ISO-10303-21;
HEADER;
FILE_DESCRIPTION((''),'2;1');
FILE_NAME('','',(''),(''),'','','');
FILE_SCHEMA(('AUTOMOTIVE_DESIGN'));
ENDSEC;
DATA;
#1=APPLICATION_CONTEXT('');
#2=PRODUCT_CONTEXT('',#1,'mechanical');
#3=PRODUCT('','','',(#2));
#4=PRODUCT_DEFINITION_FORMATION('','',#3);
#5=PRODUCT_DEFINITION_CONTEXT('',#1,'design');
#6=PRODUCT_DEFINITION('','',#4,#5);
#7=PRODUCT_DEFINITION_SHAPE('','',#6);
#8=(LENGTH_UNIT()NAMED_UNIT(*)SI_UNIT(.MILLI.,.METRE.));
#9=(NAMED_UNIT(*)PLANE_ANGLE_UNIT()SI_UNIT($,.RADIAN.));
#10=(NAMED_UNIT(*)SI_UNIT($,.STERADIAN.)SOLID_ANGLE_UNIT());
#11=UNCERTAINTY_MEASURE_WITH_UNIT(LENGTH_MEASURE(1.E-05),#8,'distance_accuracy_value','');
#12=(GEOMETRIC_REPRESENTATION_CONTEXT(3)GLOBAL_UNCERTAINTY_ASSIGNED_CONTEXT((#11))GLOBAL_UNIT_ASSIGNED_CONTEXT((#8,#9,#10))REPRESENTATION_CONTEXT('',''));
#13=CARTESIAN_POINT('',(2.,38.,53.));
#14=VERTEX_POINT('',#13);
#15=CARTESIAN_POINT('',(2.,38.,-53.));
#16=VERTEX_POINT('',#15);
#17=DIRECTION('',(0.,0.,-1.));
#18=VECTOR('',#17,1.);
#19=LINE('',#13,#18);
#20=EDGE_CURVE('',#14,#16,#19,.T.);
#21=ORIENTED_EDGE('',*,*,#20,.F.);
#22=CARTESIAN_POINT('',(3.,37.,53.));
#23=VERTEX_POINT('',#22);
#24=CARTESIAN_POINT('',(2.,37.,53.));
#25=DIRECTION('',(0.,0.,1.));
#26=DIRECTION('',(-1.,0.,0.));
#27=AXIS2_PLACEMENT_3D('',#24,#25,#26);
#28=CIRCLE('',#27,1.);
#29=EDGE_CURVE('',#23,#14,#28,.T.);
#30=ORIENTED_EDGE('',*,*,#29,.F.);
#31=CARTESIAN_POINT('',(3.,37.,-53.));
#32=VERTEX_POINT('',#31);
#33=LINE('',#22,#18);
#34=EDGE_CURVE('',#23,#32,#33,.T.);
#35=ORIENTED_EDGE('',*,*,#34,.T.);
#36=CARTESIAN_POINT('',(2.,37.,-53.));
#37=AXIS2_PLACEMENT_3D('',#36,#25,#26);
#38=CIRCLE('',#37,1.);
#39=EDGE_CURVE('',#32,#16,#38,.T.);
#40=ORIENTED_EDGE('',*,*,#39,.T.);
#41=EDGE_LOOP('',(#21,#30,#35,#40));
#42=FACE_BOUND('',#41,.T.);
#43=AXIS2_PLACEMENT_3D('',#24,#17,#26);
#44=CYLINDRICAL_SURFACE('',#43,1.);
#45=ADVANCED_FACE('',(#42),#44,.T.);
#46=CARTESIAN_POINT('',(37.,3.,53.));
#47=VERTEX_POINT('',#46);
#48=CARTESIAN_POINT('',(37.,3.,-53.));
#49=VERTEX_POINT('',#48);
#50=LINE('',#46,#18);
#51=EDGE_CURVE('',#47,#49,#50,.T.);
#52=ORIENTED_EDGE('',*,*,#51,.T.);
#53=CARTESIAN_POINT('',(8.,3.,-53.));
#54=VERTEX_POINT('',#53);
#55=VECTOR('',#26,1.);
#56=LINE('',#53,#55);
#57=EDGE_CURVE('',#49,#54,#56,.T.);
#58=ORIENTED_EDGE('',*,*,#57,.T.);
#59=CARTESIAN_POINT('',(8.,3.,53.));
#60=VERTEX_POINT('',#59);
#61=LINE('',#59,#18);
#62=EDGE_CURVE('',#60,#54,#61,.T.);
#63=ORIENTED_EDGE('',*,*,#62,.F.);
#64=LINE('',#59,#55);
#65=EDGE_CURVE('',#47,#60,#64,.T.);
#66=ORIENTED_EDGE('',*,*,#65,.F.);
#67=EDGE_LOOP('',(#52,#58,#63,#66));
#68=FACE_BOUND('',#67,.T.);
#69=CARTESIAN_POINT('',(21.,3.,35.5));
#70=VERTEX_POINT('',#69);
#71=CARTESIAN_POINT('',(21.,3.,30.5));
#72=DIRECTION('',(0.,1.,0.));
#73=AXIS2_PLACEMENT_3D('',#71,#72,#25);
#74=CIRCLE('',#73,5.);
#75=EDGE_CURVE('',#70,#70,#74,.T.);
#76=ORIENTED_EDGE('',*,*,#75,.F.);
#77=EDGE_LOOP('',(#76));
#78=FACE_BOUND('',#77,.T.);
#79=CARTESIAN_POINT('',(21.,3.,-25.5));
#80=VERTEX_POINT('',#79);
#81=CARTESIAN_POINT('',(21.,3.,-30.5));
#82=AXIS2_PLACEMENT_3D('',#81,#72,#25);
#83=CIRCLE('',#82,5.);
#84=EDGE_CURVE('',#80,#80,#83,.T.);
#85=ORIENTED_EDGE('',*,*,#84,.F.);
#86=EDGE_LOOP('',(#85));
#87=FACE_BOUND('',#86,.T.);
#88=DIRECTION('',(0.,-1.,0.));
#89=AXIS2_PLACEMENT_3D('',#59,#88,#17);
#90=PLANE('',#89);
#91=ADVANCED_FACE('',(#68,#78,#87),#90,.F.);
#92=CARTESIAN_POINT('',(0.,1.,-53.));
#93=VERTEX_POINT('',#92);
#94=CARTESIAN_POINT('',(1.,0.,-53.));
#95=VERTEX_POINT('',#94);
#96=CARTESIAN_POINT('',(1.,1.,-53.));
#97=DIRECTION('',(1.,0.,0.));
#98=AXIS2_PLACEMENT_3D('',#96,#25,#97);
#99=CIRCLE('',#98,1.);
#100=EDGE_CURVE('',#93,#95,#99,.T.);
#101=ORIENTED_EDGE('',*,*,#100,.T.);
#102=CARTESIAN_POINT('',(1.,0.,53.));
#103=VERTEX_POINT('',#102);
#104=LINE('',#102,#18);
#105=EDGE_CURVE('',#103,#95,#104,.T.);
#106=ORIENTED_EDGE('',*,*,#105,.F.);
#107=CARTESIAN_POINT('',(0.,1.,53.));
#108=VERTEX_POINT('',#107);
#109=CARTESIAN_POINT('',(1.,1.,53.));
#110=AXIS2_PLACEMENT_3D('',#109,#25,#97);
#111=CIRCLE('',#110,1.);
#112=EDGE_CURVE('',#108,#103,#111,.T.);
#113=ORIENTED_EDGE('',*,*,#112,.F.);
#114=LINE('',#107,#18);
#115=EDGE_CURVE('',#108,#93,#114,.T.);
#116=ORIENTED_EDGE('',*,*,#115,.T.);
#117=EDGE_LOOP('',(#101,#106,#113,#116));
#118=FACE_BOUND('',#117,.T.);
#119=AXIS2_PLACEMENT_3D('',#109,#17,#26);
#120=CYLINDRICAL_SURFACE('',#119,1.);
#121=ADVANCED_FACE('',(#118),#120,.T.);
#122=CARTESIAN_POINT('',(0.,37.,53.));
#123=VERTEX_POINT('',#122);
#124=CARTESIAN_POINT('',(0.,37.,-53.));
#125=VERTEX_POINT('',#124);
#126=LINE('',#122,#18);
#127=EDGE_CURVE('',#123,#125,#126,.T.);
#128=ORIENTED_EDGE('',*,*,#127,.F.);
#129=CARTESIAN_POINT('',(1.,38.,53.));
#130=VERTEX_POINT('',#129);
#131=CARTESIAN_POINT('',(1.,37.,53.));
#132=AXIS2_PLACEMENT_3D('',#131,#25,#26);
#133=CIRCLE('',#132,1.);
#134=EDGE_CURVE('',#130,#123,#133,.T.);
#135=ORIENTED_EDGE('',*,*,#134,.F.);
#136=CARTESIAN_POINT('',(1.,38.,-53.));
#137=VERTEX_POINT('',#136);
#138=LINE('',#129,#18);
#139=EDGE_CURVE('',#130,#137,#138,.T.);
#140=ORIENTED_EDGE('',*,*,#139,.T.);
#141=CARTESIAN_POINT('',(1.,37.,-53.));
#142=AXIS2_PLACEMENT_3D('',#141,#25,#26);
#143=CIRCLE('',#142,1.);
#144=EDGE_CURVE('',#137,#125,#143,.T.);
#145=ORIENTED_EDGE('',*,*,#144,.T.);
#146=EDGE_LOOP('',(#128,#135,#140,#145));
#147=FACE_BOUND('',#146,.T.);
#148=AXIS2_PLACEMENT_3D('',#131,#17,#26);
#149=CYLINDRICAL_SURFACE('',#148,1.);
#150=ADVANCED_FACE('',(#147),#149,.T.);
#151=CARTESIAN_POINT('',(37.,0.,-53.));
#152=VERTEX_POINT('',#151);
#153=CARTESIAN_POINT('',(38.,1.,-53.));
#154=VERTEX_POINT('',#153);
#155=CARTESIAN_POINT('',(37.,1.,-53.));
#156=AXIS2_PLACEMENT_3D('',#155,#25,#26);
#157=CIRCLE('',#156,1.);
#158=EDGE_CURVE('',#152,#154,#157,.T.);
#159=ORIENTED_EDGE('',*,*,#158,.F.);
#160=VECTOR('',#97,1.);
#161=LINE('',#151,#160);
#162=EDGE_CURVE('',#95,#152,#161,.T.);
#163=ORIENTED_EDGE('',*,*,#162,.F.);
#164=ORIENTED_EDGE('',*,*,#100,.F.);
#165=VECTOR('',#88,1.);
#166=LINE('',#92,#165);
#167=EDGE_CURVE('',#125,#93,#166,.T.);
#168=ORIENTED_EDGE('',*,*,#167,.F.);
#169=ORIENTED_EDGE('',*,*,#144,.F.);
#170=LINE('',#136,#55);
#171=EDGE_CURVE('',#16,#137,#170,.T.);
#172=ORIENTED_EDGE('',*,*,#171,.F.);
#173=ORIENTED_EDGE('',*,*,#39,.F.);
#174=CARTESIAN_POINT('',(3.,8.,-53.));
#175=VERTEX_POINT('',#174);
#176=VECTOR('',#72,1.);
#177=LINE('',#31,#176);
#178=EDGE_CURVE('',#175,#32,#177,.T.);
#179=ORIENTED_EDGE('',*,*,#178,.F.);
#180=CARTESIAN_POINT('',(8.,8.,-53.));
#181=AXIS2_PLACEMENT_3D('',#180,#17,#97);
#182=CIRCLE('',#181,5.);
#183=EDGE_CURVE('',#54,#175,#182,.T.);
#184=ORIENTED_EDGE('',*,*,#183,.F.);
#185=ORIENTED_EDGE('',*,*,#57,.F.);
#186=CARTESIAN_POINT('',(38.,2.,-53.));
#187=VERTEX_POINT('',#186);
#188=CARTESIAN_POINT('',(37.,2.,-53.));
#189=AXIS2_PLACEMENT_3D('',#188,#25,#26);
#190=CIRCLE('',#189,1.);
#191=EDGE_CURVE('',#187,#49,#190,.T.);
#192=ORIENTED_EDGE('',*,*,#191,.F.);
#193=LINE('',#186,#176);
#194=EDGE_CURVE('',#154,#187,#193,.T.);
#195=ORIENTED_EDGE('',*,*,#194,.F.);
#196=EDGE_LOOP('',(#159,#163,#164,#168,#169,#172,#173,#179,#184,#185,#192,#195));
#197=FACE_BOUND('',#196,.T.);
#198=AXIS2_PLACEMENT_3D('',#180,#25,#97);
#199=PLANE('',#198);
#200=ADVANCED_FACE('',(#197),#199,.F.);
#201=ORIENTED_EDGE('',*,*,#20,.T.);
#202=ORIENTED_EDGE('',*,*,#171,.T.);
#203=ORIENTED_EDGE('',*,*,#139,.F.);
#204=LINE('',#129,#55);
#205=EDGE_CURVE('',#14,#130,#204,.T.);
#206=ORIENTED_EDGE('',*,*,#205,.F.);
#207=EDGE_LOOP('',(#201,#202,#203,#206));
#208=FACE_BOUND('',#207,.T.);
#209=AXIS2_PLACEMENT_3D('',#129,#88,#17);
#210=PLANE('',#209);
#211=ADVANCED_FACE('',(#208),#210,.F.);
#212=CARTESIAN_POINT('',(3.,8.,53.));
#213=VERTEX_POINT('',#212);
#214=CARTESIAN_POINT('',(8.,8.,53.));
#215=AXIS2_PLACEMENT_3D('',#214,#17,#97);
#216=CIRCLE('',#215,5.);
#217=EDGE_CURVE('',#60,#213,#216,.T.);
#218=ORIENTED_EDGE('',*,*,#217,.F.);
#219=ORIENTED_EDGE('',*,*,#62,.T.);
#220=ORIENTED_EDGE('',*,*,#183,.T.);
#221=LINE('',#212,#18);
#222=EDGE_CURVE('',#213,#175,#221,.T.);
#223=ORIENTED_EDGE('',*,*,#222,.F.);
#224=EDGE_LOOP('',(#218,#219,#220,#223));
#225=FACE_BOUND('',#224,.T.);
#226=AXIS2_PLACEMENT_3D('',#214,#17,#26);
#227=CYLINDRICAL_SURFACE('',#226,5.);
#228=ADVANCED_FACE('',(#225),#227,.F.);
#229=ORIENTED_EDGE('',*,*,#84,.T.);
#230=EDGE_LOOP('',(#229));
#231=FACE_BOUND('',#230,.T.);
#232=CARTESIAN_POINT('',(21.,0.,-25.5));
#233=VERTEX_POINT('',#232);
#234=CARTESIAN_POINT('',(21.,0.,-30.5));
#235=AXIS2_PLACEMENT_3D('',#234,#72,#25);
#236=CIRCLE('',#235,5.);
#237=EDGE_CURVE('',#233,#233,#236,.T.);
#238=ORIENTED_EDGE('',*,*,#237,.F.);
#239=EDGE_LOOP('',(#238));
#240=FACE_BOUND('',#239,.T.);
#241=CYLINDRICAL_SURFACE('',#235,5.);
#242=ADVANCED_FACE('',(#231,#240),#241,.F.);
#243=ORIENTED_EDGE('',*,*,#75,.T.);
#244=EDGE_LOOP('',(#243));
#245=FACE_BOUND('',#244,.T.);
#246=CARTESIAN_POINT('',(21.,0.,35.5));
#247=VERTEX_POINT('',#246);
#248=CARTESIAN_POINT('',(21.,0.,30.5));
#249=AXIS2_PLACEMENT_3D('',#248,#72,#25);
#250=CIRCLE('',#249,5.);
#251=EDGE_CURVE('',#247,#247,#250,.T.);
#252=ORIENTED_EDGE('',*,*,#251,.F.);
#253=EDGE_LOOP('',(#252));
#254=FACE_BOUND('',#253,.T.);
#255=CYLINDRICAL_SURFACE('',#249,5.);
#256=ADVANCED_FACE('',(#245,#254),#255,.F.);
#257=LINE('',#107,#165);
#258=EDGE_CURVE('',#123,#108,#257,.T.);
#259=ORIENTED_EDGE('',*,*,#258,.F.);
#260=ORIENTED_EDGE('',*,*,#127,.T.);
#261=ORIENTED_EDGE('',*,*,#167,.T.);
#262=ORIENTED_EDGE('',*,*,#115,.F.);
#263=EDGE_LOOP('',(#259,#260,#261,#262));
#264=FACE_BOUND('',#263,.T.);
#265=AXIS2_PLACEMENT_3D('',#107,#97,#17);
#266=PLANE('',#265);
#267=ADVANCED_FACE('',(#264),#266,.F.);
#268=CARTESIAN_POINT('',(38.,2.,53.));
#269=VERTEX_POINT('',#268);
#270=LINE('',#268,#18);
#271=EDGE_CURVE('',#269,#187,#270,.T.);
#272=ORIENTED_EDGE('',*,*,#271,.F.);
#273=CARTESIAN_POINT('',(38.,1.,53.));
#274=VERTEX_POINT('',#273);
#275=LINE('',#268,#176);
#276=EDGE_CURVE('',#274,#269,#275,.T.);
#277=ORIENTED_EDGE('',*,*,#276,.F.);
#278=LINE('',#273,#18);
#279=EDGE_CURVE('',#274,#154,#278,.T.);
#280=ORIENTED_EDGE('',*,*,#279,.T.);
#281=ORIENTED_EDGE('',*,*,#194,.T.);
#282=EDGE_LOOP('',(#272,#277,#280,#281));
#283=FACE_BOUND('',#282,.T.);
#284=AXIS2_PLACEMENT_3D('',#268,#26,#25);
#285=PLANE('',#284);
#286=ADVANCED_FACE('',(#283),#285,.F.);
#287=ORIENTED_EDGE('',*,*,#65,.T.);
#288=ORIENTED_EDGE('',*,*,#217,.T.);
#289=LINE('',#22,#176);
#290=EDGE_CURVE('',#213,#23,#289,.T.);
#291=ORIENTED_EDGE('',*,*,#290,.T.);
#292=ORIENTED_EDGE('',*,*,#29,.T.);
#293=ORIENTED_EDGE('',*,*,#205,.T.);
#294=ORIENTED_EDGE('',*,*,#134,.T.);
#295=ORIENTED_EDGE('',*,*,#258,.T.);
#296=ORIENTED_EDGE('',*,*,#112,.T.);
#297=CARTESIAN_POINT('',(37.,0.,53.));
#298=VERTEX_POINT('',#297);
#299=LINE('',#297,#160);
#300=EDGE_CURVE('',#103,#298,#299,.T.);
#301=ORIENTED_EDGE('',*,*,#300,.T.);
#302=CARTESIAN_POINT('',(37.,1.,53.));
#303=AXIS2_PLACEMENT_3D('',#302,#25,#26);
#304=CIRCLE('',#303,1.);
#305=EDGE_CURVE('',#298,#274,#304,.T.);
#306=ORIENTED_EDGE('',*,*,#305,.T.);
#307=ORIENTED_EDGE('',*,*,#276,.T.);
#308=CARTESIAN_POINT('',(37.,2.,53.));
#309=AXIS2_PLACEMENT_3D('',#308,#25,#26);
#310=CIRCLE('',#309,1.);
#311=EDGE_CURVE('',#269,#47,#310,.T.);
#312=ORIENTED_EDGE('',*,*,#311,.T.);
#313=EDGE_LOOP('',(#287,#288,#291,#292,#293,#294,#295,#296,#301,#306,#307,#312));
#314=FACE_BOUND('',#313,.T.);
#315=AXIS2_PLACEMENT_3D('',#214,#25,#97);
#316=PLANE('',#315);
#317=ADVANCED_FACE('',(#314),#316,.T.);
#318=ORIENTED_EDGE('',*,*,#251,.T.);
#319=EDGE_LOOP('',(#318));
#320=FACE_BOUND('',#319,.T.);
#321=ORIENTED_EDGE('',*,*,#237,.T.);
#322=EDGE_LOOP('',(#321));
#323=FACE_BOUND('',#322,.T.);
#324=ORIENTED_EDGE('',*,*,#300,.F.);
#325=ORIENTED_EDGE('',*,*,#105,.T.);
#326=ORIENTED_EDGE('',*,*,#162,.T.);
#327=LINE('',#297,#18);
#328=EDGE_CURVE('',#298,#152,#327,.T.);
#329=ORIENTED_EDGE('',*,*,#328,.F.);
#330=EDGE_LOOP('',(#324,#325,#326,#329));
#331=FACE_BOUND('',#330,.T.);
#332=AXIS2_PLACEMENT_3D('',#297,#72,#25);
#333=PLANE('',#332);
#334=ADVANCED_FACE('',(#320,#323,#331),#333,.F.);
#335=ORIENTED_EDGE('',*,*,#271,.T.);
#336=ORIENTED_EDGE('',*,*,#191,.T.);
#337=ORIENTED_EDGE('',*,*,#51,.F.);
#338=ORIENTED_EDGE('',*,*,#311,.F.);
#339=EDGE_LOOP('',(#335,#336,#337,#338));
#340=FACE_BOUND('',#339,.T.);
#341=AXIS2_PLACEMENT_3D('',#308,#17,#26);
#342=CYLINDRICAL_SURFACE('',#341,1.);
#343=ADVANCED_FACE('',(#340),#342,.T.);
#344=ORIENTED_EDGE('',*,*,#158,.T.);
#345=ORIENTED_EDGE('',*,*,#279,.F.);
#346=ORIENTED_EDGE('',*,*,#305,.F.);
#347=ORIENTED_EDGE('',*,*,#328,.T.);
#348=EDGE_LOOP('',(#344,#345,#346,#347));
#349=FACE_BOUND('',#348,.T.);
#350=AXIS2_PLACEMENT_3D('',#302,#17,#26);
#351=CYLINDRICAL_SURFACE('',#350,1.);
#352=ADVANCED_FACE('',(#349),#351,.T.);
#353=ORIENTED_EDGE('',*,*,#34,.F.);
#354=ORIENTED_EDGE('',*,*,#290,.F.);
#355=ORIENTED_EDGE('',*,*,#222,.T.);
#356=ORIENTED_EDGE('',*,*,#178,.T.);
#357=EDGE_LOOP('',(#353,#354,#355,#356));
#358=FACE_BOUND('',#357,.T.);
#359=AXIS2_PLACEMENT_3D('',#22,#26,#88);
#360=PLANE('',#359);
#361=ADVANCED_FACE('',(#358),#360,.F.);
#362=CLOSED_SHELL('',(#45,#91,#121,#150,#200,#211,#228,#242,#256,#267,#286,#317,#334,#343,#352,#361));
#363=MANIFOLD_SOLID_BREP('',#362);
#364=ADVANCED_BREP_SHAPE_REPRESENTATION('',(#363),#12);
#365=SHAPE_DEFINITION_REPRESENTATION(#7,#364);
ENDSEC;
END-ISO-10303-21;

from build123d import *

# Parameters (mm, degrees)
EXTRUDE_1_DEPTH     = 53
SKETCH_3_R          = 5
CUT_EXTRUDE_1_DEPTH = 75.01351228


with BuildPart() as part:
    # 草图1 → 凸台-拉伸1 (new, symmetric)
    with BuildSketch(Plane.XY):
        with BuildLine():
            Line((0, 1), (0, 37))
            ThreePointArc((0, 37), (0.292893219, 37.707106781), (1, 38))
            Line((1, 38), (2, 38))
            ThreePointArc((2, 38), (2.707106781, 37.707106781), (3, 37))
            Line((3, 37), (3, 8))
            ThreePointArc((3, 8), (4.464466094, 4.464466094), (8, 3))
            Line((8, 3), (37, 3))
            ThreePointArc((37, 3), (37.707106781, 2.707106781), (38, 2))
            Line((38, 2), (38, 1))
            ThreePointArc((38, 1), (37.707106781, 0.292893219), (37, 0))
            Line((37, 0), (1, 0))
            ThreePointArc((1, 0), (0.292893219, 0.292893219), (0, 1))
        make_face()
    extrude(amount=EXTRUDE_1_DEPTH, both=True)

    # 草图3 → 切除-拉伸1 (cut, through all)
    with BuildSketch(Plane(origin=(0, 3, 0), x_dir=(1, 0, 0), z_dir=(0, 1, 0))):
        with Locations(Location((21, 30.5, 0), (0, 0, 270))):
            Circle(SKETCH_3_R)
        with Locations(Location((21, -30.5, 0), (0, 0, 270))):
            Circle(SKETCH_3_R)
    extrude(amount=-CUT_EXTRUDE_1_DEPTH, mode=Mode.SUBTRACT)


solid = part.part
